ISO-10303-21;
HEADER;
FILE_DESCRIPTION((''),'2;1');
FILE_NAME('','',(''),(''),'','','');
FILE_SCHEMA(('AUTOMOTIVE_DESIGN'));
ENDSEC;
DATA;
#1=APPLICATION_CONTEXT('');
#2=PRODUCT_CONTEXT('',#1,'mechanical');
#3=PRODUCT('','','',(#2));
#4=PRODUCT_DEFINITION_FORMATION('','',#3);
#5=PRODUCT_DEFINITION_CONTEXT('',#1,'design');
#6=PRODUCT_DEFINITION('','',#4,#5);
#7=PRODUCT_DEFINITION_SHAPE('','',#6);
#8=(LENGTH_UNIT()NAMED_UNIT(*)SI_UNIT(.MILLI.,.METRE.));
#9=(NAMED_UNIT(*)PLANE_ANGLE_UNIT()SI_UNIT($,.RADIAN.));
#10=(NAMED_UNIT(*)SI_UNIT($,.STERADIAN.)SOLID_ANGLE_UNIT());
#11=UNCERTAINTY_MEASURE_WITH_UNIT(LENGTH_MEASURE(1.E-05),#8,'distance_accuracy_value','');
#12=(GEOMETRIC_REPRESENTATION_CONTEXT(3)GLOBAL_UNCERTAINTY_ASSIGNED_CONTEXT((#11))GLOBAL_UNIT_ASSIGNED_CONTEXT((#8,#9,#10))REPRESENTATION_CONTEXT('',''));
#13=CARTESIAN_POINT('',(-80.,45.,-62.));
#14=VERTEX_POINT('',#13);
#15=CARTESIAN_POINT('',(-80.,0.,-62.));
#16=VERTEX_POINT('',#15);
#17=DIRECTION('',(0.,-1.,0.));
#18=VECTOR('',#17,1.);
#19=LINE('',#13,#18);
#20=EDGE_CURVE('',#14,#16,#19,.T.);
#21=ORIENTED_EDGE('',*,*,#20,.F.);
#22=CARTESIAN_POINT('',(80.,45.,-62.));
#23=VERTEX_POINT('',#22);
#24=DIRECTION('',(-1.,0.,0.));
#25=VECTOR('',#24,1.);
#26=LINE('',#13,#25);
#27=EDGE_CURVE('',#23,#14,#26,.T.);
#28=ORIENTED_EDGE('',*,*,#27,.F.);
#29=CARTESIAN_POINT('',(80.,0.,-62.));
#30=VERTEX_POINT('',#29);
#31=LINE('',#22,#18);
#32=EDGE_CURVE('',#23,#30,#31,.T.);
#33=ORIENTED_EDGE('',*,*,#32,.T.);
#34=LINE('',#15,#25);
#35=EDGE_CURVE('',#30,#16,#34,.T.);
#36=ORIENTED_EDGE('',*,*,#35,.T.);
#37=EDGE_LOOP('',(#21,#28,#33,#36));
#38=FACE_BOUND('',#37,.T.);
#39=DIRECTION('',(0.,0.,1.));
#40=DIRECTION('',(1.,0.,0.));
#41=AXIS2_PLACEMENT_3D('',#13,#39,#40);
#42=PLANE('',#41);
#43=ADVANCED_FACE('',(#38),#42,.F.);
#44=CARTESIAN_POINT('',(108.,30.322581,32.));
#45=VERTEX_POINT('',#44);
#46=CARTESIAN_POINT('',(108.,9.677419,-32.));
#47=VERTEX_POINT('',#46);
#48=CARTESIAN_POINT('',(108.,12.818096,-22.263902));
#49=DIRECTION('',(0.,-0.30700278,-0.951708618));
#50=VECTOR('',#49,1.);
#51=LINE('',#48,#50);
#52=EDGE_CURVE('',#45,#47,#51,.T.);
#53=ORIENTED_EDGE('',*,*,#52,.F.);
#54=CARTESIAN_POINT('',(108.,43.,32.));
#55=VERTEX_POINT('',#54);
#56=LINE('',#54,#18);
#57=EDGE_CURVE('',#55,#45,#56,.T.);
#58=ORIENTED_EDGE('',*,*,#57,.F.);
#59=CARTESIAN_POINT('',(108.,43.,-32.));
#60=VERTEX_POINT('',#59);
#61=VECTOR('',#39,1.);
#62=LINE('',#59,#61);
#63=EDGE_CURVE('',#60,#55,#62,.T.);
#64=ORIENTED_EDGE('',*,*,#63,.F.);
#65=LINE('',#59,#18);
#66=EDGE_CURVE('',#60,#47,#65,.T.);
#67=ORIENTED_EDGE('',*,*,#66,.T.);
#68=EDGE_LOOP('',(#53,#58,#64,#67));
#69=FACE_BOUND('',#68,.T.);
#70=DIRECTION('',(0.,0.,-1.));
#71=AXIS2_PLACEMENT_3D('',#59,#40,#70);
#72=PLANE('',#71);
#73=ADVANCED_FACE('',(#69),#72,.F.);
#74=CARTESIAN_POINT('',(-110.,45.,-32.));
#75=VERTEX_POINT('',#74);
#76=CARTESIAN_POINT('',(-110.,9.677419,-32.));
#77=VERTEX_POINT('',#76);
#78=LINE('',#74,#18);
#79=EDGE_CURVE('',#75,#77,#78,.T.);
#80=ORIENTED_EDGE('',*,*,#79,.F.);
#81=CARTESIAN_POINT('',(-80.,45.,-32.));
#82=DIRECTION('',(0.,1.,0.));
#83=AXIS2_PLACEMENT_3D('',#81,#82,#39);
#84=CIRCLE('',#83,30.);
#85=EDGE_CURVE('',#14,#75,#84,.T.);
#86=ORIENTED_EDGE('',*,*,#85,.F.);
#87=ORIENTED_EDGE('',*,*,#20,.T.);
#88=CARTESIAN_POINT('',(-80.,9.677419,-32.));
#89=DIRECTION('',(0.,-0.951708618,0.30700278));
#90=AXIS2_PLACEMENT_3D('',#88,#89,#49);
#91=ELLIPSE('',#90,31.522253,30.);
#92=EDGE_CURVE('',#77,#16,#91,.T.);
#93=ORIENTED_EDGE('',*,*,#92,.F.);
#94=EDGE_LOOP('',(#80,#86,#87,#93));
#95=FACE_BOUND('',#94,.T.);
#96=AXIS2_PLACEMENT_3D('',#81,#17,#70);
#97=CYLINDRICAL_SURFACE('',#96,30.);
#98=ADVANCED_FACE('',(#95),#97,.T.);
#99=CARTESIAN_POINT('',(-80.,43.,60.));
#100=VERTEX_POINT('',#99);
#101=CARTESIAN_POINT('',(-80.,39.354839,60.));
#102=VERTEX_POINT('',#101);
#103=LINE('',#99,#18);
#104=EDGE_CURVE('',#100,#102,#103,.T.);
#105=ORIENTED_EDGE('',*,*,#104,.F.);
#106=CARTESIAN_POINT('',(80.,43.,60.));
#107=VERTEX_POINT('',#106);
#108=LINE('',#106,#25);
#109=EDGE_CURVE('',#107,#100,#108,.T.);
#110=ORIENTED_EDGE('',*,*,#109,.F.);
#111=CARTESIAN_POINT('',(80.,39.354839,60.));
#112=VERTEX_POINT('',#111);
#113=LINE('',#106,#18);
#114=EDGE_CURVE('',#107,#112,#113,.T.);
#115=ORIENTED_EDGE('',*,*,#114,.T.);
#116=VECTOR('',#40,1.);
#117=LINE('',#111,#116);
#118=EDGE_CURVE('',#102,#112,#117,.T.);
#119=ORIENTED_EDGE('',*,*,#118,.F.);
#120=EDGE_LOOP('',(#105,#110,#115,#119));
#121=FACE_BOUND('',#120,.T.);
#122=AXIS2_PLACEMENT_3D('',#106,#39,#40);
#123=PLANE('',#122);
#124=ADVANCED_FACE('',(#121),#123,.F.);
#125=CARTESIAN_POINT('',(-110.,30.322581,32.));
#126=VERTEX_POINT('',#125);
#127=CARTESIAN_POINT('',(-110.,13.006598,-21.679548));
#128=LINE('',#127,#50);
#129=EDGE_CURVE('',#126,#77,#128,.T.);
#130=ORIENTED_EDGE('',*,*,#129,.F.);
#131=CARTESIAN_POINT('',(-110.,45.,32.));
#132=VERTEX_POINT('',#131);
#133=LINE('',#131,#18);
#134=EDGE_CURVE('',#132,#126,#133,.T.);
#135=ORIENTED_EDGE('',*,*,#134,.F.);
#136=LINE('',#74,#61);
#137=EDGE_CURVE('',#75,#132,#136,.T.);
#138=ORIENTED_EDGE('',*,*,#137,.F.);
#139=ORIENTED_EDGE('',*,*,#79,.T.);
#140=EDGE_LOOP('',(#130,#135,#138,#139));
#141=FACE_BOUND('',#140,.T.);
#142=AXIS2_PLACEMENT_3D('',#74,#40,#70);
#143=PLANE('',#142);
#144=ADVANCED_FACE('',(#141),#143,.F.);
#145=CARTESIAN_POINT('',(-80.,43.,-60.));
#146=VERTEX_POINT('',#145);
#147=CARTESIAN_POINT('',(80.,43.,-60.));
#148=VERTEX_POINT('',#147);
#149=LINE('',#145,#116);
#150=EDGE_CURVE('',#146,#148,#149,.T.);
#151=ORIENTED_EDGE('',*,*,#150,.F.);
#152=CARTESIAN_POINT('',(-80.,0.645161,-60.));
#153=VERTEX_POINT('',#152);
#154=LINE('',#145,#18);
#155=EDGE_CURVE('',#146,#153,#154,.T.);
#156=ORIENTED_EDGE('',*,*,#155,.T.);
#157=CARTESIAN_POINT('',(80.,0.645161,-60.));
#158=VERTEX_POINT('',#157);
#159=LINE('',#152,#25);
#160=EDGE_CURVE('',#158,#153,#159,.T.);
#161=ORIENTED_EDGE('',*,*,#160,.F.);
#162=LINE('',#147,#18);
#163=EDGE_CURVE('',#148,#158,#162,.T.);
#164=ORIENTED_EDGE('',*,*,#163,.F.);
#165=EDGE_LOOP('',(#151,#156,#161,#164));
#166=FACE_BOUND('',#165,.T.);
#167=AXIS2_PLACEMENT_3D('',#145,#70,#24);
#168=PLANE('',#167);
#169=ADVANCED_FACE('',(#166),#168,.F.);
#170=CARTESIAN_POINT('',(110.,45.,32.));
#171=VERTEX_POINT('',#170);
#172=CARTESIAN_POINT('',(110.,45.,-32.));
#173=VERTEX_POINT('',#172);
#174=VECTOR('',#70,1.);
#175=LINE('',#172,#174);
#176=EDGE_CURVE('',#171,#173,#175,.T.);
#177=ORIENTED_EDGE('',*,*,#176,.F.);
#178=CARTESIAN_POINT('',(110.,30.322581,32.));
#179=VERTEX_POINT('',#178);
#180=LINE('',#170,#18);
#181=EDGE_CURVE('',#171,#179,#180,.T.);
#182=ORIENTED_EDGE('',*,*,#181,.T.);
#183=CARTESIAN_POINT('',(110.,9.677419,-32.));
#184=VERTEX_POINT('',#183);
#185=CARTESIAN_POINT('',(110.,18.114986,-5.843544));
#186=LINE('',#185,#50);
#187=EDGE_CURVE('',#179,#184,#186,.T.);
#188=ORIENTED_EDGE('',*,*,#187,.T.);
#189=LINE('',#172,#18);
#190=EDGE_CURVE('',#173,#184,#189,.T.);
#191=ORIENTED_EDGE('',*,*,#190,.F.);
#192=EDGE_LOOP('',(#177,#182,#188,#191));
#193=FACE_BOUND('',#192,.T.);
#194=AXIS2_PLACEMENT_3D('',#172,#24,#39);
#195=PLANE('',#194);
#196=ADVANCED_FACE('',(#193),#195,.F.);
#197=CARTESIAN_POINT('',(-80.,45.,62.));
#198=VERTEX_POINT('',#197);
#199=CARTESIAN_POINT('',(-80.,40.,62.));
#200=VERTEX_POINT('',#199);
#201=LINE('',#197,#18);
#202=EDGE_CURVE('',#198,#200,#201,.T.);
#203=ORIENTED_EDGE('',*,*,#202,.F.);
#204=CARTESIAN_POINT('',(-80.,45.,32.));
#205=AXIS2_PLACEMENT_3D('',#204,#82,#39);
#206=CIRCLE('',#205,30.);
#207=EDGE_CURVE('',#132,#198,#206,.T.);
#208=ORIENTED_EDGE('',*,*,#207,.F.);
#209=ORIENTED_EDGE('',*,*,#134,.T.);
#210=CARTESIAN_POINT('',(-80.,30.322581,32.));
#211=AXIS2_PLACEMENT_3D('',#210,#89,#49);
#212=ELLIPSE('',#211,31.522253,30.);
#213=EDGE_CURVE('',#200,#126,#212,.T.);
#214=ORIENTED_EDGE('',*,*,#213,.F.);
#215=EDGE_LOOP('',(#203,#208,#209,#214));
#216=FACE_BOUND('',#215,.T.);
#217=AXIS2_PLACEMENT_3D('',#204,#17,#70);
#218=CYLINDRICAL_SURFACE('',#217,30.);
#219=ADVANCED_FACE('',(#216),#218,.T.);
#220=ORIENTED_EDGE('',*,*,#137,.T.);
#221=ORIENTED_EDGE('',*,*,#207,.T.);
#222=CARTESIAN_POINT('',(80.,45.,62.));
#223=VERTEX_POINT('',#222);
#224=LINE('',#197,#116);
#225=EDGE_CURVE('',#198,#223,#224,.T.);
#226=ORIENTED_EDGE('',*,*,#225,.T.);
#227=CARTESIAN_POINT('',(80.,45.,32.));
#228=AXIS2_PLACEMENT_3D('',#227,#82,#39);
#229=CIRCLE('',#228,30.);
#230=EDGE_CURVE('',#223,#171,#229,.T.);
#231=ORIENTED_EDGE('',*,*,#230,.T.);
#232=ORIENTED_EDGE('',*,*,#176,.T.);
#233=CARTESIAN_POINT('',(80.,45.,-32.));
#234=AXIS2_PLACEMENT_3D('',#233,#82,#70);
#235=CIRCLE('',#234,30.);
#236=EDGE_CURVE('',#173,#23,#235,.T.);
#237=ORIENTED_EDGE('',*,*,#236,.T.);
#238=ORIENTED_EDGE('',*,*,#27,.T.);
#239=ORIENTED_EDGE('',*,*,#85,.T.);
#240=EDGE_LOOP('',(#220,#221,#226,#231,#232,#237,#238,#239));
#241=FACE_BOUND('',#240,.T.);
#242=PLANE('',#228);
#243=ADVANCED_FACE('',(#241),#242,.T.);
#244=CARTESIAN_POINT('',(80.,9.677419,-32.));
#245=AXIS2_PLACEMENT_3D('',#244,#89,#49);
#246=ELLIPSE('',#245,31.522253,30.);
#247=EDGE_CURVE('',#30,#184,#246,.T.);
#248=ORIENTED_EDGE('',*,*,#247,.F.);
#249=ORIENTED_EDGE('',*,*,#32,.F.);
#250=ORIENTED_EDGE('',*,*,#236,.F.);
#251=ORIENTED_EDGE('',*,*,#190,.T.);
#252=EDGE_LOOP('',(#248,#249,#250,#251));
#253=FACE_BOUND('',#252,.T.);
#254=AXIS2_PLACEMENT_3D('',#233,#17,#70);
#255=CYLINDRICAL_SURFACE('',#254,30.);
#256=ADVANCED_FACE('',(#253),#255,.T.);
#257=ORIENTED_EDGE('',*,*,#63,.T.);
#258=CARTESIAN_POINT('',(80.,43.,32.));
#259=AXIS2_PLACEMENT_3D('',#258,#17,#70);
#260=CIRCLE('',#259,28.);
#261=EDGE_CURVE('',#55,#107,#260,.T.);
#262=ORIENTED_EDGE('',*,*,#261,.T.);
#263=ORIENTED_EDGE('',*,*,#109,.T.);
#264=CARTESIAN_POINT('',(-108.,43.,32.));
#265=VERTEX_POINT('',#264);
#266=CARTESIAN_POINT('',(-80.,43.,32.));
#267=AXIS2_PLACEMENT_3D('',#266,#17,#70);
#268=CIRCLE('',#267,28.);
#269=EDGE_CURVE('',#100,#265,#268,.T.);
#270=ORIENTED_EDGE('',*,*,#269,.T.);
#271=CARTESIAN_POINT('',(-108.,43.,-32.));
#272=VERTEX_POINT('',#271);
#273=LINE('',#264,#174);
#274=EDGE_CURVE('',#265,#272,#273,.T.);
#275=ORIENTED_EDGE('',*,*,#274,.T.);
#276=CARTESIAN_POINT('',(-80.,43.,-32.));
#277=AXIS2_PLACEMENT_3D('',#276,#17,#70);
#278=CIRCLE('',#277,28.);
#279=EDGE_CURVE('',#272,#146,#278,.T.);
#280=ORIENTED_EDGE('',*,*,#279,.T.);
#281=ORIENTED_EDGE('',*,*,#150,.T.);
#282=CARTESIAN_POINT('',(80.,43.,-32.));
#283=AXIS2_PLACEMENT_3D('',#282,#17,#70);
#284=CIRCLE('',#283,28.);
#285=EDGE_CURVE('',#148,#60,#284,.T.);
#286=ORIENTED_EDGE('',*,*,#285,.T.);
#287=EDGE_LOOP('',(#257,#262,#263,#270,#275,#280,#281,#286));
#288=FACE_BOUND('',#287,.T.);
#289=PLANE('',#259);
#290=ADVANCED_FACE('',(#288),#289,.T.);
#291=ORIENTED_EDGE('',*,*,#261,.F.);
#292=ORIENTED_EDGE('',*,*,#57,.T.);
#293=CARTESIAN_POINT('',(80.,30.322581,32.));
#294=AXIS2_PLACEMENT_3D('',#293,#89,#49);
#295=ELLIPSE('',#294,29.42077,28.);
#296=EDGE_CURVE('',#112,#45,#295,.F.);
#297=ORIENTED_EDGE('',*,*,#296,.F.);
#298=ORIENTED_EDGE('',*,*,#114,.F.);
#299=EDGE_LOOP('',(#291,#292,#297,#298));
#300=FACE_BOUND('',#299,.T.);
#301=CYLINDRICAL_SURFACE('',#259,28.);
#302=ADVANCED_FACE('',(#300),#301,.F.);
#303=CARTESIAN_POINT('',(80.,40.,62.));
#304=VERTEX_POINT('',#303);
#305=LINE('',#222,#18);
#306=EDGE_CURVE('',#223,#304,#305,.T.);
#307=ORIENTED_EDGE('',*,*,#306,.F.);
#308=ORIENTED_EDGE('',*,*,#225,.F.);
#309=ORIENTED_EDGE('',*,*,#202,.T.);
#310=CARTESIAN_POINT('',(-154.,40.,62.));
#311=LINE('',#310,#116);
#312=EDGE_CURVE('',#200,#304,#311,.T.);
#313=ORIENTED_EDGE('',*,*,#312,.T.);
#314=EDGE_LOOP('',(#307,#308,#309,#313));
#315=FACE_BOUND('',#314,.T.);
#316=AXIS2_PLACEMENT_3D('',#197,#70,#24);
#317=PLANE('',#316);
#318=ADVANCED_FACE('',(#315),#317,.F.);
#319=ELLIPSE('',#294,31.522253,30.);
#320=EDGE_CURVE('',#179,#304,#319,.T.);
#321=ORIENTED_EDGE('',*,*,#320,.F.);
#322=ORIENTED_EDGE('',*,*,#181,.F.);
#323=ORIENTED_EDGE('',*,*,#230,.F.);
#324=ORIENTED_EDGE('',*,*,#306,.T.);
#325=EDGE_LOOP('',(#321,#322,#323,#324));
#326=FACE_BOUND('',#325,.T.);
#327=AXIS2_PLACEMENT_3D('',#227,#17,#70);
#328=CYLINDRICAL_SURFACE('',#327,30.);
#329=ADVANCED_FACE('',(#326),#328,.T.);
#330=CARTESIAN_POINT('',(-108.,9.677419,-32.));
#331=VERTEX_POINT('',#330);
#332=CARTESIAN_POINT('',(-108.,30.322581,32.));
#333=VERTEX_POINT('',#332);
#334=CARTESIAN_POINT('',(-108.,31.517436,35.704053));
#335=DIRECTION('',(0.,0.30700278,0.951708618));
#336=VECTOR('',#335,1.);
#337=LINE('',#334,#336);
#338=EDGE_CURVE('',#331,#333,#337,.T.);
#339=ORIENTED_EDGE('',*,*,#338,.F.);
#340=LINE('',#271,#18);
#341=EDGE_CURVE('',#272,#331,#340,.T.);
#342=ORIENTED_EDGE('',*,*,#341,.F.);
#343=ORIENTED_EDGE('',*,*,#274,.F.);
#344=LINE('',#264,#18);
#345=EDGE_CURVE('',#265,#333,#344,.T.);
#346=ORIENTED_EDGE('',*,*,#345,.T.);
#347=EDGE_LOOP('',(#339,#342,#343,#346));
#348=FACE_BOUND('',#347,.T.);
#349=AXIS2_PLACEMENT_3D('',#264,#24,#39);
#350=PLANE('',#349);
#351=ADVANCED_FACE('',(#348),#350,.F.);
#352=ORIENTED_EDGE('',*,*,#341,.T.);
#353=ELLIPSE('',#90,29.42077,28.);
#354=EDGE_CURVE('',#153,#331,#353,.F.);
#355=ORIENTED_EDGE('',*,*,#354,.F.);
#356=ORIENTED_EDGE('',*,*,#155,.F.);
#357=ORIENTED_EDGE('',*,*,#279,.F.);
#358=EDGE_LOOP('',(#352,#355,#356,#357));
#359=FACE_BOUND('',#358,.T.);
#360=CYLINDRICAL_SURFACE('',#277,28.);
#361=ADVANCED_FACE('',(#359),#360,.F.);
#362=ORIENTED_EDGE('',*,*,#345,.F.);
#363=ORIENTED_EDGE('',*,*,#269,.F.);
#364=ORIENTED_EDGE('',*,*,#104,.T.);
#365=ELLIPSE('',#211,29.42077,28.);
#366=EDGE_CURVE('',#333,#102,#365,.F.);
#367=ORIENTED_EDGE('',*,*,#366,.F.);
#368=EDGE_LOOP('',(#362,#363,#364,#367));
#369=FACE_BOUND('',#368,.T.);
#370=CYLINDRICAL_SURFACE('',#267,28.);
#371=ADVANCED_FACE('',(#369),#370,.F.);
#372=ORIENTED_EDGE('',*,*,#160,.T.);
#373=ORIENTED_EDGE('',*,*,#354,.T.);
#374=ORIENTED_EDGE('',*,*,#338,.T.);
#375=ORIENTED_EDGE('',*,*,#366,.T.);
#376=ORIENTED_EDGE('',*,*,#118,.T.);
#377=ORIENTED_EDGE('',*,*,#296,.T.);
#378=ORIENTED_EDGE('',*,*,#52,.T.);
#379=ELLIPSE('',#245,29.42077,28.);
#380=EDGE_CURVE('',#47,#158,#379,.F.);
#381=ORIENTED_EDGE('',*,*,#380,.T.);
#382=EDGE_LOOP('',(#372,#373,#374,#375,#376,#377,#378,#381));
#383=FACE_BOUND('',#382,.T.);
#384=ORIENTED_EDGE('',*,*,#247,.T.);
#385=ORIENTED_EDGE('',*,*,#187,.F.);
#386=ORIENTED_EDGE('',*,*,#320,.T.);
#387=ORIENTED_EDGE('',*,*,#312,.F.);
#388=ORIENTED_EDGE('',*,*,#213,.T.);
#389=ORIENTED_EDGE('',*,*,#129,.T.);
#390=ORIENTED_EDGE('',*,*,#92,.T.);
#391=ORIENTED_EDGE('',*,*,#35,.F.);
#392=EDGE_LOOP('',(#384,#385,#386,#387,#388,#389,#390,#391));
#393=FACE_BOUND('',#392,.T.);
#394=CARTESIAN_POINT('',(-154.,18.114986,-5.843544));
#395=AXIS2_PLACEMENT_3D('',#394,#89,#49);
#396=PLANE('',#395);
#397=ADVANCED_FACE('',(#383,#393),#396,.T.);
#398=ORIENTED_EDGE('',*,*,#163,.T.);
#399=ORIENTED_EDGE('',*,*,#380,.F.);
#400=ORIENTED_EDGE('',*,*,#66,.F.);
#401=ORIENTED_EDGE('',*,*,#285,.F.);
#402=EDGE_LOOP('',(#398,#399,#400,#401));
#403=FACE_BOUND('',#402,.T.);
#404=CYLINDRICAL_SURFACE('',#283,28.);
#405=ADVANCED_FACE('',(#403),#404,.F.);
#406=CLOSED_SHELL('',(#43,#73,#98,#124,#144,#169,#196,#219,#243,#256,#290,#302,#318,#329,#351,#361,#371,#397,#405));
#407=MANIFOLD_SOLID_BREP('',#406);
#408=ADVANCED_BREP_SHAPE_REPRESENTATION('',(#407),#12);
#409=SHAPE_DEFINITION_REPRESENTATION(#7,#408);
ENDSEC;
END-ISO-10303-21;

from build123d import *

# Parameters (mm, degrees)
BOSS_EXTRUDE1_DEPTH = 45
CUT_EXTRUDE2_DEPTH  = 43
CUT_EXTRUDE4_DEPTH  = 264


with BuildPart() as part:
    # Sketch1 → Boss-Extrude1 (new body)
    with BuildSketch(Plane(origin=(0, 0, 0), x_dir=(1, 0, 0), z_dir=(0, 1, 0))):
        with BuildLine():
            Line((-80, 62), (80, 62))
            ThreePointArc((80, 62), (101.213203436, 53.213203436), (110, 32))
            Line((110, 32), (110, -32))
            ThreePointArc((110, -32), (101.213203436, -53.213203436), (80, -62))
            Line((80, -62), (-80, -62))
            ThreePointArc((-80, -62), (-101.213203436, -53.213203436), (-110, -32))
            Line((-110, -32), (-110, 32))
            ThreePointArc((-110, 32), (-101.213203436, 53.213203436), (-80, 62))
        make_face()
    extrude(amount=BOSS_EXTRUDE1_DEPTH)

    # Sketch6 → Cut-Extrude2 (cut)
    with BuildSketch(Plane.XZ):
        with BuildLine():
            Line((80, 60), (-80, 60))
            ThreePointArc((-80, 60), (-99.798989873, 51.798989873), (-108, 32))
            Line((-108, 32), (-108, -32))
            ThreePointArc((-108, -32), (-99.798989873, -51.798989873), (-80, -60))
            Line((-80, -60), (80, -60))
            ThreePointArc((80, -60), (99.798989873, -51.798989873), (108, -32))
            Line((108, -32), (108, 32))
            ThreePointArc((108, 32), (99.798989873, 51.798989873), (80, 60))
        make_face()
    extrude(amount=-CUT_EXTRUDE2_DEPTH, mode=Mode.SUBTRACT)

    # Sketch4 → Cut-Extrude4 (cut)
    with BuildSketch(Plane(origin=(110, 0, 0), x_dir=(0, 0, -1), z_dir=(1, 0, 0))):
        Polygon((-32, 30.322580645), (-62, 40), (-62, 0), (-32, 0), align=None)
        Polygon((32, 9.677419355), (-32, 30.322580645), (-32, 0), (32, 0), align=None)
        Polygon((62, 0), (32, 9.677419355), (32, 0), align=None)
    extrude(amount=-CUT_EXTRUDE4_DEPTH, mode=Mode.SUBTRACT)


solid = part.part
